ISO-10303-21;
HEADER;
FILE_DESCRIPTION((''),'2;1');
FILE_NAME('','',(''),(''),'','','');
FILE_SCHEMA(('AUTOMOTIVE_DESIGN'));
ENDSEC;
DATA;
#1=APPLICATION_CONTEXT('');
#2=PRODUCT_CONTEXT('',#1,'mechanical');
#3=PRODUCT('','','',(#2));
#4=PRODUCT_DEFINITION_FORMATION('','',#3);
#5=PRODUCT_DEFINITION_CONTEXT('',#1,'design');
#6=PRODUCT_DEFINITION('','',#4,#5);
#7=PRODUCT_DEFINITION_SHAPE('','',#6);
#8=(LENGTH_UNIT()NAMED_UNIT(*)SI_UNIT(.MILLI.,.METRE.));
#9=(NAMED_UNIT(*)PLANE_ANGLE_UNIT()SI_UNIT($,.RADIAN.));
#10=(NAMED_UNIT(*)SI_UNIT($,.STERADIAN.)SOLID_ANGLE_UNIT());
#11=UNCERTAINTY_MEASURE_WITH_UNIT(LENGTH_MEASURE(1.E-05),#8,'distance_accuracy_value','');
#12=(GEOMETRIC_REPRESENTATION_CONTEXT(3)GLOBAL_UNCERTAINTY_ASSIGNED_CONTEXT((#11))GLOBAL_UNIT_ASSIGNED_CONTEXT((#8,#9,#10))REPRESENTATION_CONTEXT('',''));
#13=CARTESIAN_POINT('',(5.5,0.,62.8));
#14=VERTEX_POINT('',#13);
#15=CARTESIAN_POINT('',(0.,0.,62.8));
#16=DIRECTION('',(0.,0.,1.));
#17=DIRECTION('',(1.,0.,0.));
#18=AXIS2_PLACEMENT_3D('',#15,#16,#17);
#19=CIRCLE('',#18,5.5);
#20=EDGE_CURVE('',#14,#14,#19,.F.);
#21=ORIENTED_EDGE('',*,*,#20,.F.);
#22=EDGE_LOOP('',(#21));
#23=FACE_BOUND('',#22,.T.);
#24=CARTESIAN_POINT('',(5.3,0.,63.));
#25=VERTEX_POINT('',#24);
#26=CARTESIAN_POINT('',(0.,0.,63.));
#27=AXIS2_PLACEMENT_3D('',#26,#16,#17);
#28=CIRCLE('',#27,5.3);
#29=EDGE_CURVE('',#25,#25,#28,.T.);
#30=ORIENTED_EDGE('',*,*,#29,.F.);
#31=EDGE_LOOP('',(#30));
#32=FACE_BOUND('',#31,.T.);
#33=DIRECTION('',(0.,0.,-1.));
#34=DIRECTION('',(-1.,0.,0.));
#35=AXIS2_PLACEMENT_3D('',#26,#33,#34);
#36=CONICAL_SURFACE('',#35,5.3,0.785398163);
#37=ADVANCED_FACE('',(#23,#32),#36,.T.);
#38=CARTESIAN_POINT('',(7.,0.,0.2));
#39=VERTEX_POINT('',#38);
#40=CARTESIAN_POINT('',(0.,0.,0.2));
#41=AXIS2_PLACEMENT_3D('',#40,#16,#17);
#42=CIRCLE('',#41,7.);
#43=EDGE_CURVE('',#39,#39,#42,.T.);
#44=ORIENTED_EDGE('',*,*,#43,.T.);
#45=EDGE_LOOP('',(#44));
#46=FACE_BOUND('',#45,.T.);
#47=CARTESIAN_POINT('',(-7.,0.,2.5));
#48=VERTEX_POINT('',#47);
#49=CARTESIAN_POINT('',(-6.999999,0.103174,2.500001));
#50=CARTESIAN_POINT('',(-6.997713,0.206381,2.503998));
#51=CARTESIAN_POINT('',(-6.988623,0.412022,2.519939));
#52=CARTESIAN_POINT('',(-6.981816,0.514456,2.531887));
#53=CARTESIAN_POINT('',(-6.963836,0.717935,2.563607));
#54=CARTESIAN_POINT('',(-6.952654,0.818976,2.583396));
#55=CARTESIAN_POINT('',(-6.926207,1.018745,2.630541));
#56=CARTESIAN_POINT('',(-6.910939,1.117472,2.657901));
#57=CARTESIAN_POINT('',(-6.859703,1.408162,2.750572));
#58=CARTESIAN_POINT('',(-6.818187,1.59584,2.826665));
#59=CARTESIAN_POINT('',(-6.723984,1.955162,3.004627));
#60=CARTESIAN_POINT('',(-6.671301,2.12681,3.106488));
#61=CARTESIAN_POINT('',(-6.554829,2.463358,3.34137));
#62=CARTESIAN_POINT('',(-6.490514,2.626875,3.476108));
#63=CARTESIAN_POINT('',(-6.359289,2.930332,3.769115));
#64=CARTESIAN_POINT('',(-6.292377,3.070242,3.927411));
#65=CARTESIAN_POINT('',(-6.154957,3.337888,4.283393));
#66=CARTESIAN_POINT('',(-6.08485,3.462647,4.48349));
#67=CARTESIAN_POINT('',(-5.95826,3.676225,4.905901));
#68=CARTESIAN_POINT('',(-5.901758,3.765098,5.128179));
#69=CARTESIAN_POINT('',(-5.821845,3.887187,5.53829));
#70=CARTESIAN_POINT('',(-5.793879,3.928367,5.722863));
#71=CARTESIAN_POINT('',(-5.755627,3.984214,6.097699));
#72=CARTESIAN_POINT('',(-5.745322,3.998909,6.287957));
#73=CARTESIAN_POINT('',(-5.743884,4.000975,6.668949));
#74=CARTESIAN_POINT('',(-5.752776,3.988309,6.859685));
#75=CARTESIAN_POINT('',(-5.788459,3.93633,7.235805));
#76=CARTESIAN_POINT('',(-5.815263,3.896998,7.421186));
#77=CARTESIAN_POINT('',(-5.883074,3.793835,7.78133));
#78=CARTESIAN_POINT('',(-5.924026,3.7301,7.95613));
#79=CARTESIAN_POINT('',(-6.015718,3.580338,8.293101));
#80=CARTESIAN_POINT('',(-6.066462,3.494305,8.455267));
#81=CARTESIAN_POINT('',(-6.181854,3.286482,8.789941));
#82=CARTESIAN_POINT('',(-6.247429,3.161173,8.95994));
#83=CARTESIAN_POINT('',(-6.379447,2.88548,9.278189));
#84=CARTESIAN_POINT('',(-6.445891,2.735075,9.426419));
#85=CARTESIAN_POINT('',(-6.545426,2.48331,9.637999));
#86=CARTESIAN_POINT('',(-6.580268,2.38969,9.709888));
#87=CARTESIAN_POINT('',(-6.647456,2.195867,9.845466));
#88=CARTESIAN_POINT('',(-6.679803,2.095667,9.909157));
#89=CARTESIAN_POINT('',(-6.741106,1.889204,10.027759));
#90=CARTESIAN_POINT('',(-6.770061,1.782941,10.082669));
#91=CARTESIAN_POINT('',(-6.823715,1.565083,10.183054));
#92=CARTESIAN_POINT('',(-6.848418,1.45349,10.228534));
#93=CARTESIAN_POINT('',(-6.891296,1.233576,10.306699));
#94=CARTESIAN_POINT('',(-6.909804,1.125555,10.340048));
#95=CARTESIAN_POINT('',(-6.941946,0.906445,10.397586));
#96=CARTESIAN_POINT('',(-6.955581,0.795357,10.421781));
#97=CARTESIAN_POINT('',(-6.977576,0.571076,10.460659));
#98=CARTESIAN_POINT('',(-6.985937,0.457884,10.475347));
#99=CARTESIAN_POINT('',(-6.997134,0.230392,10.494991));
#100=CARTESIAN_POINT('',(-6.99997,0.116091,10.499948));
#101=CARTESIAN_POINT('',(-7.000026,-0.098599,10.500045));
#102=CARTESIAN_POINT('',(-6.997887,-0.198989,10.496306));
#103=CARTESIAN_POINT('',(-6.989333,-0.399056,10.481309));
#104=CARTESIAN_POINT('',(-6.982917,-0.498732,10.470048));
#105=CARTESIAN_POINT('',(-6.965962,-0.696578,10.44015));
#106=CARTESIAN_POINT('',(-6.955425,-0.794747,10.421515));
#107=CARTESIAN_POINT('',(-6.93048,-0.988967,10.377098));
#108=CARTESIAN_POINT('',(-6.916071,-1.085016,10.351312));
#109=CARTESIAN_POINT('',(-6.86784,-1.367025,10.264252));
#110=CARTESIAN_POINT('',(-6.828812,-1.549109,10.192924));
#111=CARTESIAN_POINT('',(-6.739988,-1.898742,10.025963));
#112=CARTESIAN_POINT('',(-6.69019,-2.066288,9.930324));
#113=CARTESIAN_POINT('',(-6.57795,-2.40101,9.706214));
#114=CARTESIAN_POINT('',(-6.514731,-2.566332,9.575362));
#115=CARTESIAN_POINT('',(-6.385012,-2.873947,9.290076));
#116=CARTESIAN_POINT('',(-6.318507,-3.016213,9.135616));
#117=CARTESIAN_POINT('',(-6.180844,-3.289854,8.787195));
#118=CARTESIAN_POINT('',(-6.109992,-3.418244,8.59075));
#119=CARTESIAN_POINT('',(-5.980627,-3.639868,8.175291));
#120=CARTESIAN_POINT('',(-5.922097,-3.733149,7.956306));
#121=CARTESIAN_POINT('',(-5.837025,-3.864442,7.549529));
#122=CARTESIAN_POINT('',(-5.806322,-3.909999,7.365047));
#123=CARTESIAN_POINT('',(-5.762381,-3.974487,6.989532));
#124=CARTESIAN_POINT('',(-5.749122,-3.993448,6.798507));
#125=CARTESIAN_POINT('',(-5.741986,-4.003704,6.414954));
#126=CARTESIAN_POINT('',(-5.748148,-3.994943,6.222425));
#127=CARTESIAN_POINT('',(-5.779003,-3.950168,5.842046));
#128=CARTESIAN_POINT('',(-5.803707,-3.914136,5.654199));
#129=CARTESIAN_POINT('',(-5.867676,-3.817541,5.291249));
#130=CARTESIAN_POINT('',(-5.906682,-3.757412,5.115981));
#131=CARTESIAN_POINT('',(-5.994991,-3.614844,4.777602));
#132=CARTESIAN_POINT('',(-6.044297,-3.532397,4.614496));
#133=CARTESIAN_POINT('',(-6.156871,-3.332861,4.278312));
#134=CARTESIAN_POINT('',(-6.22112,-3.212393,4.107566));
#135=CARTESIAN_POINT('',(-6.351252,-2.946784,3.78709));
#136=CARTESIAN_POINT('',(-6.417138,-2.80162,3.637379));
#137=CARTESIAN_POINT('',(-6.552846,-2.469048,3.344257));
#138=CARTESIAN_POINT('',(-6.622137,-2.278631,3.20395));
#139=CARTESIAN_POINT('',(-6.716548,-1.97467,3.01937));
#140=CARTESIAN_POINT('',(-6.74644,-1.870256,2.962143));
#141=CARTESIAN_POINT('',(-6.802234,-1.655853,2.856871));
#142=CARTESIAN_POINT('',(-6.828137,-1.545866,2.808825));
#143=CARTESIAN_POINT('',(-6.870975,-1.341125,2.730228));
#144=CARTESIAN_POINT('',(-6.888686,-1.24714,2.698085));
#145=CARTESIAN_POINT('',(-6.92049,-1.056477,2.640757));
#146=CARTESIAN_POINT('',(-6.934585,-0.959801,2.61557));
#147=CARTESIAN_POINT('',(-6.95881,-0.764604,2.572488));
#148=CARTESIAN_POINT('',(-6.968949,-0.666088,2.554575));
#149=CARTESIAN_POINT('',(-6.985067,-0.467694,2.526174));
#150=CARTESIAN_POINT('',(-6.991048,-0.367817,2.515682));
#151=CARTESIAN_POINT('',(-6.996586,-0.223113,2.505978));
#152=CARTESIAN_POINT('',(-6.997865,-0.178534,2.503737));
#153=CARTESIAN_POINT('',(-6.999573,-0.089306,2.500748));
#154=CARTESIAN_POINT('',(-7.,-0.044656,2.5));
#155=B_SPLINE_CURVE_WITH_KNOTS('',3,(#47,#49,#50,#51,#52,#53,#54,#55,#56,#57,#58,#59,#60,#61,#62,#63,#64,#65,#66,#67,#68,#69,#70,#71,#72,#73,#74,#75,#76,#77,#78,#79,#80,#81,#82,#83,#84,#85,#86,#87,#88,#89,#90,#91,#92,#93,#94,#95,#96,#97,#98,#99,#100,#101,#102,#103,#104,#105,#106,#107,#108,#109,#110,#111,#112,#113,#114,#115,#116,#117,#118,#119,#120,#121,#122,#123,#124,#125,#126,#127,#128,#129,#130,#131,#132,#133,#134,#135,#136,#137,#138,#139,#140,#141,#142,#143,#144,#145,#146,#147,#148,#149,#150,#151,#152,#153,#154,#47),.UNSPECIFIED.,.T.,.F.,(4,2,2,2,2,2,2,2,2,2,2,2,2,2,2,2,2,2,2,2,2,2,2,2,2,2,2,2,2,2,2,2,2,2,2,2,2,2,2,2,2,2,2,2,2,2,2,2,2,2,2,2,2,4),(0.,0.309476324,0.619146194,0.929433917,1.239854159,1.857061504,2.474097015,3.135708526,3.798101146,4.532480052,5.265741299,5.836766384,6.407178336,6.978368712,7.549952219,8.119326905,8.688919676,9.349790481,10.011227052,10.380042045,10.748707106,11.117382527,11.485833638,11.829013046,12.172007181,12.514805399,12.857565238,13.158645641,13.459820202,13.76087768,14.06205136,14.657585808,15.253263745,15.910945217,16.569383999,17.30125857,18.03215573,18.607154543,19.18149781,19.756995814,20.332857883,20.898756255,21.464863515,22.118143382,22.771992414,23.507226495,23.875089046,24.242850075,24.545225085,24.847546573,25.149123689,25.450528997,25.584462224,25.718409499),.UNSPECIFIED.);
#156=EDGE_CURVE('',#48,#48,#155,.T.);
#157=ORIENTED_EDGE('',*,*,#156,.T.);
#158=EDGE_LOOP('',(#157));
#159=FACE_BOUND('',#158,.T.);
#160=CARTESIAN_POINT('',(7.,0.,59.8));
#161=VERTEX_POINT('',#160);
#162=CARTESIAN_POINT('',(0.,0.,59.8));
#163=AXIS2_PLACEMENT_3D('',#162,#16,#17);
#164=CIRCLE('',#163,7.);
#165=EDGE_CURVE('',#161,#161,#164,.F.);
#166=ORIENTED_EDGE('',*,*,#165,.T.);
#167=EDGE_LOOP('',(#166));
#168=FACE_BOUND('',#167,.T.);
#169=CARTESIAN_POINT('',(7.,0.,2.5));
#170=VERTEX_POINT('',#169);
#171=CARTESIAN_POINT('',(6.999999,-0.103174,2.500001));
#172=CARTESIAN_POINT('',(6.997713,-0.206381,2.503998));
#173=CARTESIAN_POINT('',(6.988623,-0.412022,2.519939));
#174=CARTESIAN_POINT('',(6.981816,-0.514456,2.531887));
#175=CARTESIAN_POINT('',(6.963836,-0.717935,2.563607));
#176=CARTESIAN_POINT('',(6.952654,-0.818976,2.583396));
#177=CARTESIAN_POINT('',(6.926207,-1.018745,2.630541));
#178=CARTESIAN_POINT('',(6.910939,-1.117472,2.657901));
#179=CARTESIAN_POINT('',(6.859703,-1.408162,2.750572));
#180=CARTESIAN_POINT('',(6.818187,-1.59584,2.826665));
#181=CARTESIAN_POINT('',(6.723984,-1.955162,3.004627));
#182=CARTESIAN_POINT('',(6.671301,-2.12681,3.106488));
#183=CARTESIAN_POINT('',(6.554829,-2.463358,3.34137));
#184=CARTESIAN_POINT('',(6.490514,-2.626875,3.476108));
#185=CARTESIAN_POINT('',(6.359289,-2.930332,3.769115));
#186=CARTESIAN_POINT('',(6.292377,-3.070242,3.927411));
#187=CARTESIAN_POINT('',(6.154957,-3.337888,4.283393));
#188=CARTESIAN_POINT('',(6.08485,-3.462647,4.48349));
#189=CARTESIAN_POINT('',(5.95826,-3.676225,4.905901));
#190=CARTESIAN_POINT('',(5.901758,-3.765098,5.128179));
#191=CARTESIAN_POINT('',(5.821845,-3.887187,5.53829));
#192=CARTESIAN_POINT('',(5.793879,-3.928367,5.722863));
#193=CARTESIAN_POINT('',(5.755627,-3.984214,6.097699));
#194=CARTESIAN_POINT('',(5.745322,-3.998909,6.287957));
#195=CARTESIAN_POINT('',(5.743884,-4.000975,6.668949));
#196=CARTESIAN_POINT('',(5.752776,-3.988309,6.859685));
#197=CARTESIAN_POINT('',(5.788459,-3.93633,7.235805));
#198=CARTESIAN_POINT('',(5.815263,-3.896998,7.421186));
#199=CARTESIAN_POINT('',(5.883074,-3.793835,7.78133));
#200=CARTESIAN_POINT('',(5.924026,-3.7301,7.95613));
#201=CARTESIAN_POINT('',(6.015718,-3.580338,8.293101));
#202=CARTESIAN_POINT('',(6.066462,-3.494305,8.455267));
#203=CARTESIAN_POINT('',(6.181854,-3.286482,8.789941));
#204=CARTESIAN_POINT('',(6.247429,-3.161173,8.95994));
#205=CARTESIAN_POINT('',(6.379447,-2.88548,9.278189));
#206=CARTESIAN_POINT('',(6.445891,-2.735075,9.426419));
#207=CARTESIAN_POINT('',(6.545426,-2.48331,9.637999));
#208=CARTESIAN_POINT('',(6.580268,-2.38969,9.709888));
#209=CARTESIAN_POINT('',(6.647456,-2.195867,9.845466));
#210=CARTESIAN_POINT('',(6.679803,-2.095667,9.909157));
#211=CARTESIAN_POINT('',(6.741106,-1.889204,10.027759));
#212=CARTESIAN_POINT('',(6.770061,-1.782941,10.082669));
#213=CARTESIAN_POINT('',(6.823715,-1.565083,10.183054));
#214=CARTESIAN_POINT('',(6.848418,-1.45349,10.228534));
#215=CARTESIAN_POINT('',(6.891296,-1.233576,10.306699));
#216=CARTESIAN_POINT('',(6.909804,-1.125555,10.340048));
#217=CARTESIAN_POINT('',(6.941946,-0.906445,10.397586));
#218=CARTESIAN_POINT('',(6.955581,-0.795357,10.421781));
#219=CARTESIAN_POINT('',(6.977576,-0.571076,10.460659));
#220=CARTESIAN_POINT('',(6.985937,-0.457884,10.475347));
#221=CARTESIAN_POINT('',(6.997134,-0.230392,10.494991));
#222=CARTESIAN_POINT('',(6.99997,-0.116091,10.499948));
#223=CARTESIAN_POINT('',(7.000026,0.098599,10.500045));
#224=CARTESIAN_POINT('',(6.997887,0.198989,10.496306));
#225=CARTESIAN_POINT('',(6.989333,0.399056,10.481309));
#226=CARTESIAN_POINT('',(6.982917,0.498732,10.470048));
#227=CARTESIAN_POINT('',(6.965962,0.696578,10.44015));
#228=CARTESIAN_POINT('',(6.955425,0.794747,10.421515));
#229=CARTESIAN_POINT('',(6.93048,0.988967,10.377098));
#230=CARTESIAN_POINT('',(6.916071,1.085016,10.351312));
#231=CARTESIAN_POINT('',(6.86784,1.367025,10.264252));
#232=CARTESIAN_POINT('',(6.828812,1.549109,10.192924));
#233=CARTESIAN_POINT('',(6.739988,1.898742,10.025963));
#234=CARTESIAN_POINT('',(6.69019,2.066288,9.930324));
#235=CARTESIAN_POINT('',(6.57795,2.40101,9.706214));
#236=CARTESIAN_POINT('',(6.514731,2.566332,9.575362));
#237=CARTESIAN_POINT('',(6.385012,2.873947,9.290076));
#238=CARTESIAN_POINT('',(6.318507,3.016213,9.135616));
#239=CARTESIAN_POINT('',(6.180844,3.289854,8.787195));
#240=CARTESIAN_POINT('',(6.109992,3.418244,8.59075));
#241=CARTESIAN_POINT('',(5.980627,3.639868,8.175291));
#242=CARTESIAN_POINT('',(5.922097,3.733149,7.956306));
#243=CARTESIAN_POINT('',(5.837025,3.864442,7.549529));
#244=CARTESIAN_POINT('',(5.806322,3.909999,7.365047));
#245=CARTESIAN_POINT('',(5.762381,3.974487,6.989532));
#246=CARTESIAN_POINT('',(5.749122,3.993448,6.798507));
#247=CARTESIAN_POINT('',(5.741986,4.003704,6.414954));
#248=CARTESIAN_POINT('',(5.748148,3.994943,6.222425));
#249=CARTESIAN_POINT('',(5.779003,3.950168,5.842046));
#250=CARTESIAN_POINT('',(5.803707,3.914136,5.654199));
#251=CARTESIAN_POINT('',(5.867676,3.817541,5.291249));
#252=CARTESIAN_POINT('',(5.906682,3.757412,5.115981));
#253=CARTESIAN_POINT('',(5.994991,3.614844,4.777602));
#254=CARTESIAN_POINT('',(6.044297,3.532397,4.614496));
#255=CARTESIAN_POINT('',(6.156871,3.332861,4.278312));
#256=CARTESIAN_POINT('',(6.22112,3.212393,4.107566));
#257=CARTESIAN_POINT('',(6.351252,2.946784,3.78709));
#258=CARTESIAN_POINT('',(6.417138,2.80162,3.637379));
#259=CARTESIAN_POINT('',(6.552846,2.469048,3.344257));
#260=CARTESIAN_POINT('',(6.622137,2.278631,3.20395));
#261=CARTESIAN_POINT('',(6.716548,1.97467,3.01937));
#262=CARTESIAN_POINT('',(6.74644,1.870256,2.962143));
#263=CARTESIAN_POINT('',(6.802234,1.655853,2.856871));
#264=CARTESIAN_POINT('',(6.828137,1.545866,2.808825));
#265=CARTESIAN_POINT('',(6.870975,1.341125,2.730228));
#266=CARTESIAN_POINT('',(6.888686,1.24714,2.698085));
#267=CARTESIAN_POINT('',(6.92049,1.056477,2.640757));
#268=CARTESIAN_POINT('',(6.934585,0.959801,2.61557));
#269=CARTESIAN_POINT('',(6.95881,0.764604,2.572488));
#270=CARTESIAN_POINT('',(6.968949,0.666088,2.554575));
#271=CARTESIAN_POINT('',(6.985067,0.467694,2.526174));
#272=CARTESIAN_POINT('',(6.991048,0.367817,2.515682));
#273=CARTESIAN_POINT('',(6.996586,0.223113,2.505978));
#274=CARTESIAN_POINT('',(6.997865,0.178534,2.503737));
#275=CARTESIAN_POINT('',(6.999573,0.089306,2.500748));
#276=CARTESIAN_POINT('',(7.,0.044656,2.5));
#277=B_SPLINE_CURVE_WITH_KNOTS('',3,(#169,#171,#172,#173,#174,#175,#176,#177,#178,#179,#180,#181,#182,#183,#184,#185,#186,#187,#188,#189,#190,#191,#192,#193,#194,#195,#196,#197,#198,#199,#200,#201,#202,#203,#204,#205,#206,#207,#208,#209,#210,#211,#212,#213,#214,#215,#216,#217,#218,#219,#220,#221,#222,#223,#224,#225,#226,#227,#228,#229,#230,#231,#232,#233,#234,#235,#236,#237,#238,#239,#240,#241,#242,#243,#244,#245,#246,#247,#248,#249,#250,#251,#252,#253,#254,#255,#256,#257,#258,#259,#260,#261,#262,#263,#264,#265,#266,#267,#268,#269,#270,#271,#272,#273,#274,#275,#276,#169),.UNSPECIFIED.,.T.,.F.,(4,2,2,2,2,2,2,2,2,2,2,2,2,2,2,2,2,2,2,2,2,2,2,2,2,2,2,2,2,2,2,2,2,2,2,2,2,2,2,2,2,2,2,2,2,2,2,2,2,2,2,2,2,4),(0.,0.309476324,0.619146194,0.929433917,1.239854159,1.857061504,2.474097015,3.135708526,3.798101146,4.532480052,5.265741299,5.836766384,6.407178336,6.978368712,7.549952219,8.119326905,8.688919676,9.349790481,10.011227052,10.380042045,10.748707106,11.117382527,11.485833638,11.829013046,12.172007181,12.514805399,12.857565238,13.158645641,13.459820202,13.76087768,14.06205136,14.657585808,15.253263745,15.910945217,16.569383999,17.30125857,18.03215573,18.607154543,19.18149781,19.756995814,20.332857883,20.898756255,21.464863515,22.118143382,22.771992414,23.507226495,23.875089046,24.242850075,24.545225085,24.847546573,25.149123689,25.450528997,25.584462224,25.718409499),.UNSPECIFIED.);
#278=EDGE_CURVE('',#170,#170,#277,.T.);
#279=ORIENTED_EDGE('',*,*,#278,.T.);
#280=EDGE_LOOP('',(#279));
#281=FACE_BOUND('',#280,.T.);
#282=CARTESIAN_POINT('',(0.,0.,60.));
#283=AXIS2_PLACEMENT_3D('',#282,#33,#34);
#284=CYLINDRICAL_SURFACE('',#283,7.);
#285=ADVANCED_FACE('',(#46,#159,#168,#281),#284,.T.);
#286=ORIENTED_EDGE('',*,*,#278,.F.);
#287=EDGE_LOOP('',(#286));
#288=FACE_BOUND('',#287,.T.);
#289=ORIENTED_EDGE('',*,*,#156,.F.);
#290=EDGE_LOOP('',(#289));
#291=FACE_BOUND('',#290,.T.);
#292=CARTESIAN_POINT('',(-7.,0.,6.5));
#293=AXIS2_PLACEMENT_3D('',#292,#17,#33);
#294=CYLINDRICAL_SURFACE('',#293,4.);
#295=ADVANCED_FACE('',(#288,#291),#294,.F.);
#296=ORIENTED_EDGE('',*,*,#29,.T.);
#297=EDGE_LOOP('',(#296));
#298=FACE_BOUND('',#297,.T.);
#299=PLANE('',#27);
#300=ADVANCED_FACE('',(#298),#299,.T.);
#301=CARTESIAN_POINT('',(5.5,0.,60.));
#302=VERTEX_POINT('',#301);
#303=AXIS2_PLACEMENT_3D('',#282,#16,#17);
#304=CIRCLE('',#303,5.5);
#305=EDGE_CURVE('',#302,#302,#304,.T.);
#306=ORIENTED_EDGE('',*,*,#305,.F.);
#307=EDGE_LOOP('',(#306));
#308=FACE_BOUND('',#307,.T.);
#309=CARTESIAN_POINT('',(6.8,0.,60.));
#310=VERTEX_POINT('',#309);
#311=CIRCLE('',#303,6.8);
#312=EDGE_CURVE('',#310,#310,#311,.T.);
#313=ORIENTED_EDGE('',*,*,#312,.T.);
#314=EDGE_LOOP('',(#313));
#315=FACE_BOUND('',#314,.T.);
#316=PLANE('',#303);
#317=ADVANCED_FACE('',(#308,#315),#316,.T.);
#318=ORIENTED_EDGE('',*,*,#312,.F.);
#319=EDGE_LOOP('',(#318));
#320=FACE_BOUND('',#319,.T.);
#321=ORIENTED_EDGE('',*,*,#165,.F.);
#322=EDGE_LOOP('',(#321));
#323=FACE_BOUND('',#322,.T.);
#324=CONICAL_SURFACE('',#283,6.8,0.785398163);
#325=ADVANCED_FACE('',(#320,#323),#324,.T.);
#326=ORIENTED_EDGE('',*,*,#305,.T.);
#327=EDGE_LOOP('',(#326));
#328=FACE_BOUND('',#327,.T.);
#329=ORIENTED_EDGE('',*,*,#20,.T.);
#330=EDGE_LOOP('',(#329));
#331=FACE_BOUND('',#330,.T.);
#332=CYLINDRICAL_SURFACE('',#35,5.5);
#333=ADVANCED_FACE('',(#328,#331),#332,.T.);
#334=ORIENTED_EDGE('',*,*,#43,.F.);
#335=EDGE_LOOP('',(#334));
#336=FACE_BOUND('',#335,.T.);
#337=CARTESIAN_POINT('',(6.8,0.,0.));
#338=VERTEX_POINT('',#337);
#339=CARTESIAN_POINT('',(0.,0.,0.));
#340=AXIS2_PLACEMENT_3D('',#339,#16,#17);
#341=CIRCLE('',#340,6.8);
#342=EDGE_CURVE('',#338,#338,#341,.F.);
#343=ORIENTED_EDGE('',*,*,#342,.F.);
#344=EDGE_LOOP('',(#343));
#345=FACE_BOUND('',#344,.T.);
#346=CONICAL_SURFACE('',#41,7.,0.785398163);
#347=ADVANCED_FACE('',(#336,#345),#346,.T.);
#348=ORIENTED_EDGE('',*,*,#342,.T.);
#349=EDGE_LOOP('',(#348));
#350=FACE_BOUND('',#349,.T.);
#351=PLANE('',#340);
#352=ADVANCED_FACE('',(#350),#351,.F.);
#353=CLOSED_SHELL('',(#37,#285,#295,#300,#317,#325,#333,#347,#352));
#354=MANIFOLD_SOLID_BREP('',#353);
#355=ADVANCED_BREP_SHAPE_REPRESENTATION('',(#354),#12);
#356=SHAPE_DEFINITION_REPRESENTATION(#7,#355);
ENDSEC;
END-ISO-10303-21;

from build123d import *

# Parameters (mm, degrees)
SKIZZE1_R                            = 7
AUFSATZ_LINEAR_AUSTRAGEN1_DEPTH      = 60
SKIZZE2_R                            = 5.5
AUFSATZ_LINEAR_AUSTRAGEN2_DEPTH      = 3
SCHNITT_LINEAR_AUSTRAGEN2_DEPTH      = 64.773035054
SCHNITT_LINEAR_AUSTRAGEN2_DEPTH_BACK = 64.773035054
SKIZZE4_R                            = 4
FASE1_SIZE                           = 0.2


with BuildPart() as part:
    # Skizze1 → Aufsatz-Linear austragen1 (new body)
    with BuildSketch(Plane.XY):
        Circle(SKIZZE1_R)
    extrude(amount=AUFSATZ_LINEAR_AUSTRAGEN1_DEPTH)

    # Skizze2 → Aufsatz-Linear austragen2 (add)
    with BuildSketch(Plane.XY.offset(60)):
        Circle(SKIZZE2_R)
    extrude(amount=AUFSATZ_LINEAR_AUSTRAGEN2_DEPTH)

    # Skizze4 → Schnitt-Linear austragen2 (cut, two sides: drawn at the far end of the back side and taken through both)
    with BuildSketch(Plane(origin=(0, 0, 0), x_dir=(0, 0, -1), z_dir=(1, 0, 0)).offset(-SCHNITT_LINEAR_AUSTRAGEN2_DEPTH_BACK)):
        with Locations((-6.5, 0)):
            Circle(SKIZZE4_R)
    extrude(amount=SCHNITT_LINEAR_AUSTRAGEN2_DEPTH + SCHNITT_LINEAR_AUSTRAGEN2_DEPTH_BACK, mode=Mode.SUBTRACT)

    # Fase1
    fase1_edges = [part.edges().sort_by_distance(p)[0] for p in [
        (-7, 0, 0),
        (-7, 0, 60),
        (-5.5, 0, 63),
    ]]
    chamfer(fase1_edges, length=FASE1_SIZE)


solid = part.part
